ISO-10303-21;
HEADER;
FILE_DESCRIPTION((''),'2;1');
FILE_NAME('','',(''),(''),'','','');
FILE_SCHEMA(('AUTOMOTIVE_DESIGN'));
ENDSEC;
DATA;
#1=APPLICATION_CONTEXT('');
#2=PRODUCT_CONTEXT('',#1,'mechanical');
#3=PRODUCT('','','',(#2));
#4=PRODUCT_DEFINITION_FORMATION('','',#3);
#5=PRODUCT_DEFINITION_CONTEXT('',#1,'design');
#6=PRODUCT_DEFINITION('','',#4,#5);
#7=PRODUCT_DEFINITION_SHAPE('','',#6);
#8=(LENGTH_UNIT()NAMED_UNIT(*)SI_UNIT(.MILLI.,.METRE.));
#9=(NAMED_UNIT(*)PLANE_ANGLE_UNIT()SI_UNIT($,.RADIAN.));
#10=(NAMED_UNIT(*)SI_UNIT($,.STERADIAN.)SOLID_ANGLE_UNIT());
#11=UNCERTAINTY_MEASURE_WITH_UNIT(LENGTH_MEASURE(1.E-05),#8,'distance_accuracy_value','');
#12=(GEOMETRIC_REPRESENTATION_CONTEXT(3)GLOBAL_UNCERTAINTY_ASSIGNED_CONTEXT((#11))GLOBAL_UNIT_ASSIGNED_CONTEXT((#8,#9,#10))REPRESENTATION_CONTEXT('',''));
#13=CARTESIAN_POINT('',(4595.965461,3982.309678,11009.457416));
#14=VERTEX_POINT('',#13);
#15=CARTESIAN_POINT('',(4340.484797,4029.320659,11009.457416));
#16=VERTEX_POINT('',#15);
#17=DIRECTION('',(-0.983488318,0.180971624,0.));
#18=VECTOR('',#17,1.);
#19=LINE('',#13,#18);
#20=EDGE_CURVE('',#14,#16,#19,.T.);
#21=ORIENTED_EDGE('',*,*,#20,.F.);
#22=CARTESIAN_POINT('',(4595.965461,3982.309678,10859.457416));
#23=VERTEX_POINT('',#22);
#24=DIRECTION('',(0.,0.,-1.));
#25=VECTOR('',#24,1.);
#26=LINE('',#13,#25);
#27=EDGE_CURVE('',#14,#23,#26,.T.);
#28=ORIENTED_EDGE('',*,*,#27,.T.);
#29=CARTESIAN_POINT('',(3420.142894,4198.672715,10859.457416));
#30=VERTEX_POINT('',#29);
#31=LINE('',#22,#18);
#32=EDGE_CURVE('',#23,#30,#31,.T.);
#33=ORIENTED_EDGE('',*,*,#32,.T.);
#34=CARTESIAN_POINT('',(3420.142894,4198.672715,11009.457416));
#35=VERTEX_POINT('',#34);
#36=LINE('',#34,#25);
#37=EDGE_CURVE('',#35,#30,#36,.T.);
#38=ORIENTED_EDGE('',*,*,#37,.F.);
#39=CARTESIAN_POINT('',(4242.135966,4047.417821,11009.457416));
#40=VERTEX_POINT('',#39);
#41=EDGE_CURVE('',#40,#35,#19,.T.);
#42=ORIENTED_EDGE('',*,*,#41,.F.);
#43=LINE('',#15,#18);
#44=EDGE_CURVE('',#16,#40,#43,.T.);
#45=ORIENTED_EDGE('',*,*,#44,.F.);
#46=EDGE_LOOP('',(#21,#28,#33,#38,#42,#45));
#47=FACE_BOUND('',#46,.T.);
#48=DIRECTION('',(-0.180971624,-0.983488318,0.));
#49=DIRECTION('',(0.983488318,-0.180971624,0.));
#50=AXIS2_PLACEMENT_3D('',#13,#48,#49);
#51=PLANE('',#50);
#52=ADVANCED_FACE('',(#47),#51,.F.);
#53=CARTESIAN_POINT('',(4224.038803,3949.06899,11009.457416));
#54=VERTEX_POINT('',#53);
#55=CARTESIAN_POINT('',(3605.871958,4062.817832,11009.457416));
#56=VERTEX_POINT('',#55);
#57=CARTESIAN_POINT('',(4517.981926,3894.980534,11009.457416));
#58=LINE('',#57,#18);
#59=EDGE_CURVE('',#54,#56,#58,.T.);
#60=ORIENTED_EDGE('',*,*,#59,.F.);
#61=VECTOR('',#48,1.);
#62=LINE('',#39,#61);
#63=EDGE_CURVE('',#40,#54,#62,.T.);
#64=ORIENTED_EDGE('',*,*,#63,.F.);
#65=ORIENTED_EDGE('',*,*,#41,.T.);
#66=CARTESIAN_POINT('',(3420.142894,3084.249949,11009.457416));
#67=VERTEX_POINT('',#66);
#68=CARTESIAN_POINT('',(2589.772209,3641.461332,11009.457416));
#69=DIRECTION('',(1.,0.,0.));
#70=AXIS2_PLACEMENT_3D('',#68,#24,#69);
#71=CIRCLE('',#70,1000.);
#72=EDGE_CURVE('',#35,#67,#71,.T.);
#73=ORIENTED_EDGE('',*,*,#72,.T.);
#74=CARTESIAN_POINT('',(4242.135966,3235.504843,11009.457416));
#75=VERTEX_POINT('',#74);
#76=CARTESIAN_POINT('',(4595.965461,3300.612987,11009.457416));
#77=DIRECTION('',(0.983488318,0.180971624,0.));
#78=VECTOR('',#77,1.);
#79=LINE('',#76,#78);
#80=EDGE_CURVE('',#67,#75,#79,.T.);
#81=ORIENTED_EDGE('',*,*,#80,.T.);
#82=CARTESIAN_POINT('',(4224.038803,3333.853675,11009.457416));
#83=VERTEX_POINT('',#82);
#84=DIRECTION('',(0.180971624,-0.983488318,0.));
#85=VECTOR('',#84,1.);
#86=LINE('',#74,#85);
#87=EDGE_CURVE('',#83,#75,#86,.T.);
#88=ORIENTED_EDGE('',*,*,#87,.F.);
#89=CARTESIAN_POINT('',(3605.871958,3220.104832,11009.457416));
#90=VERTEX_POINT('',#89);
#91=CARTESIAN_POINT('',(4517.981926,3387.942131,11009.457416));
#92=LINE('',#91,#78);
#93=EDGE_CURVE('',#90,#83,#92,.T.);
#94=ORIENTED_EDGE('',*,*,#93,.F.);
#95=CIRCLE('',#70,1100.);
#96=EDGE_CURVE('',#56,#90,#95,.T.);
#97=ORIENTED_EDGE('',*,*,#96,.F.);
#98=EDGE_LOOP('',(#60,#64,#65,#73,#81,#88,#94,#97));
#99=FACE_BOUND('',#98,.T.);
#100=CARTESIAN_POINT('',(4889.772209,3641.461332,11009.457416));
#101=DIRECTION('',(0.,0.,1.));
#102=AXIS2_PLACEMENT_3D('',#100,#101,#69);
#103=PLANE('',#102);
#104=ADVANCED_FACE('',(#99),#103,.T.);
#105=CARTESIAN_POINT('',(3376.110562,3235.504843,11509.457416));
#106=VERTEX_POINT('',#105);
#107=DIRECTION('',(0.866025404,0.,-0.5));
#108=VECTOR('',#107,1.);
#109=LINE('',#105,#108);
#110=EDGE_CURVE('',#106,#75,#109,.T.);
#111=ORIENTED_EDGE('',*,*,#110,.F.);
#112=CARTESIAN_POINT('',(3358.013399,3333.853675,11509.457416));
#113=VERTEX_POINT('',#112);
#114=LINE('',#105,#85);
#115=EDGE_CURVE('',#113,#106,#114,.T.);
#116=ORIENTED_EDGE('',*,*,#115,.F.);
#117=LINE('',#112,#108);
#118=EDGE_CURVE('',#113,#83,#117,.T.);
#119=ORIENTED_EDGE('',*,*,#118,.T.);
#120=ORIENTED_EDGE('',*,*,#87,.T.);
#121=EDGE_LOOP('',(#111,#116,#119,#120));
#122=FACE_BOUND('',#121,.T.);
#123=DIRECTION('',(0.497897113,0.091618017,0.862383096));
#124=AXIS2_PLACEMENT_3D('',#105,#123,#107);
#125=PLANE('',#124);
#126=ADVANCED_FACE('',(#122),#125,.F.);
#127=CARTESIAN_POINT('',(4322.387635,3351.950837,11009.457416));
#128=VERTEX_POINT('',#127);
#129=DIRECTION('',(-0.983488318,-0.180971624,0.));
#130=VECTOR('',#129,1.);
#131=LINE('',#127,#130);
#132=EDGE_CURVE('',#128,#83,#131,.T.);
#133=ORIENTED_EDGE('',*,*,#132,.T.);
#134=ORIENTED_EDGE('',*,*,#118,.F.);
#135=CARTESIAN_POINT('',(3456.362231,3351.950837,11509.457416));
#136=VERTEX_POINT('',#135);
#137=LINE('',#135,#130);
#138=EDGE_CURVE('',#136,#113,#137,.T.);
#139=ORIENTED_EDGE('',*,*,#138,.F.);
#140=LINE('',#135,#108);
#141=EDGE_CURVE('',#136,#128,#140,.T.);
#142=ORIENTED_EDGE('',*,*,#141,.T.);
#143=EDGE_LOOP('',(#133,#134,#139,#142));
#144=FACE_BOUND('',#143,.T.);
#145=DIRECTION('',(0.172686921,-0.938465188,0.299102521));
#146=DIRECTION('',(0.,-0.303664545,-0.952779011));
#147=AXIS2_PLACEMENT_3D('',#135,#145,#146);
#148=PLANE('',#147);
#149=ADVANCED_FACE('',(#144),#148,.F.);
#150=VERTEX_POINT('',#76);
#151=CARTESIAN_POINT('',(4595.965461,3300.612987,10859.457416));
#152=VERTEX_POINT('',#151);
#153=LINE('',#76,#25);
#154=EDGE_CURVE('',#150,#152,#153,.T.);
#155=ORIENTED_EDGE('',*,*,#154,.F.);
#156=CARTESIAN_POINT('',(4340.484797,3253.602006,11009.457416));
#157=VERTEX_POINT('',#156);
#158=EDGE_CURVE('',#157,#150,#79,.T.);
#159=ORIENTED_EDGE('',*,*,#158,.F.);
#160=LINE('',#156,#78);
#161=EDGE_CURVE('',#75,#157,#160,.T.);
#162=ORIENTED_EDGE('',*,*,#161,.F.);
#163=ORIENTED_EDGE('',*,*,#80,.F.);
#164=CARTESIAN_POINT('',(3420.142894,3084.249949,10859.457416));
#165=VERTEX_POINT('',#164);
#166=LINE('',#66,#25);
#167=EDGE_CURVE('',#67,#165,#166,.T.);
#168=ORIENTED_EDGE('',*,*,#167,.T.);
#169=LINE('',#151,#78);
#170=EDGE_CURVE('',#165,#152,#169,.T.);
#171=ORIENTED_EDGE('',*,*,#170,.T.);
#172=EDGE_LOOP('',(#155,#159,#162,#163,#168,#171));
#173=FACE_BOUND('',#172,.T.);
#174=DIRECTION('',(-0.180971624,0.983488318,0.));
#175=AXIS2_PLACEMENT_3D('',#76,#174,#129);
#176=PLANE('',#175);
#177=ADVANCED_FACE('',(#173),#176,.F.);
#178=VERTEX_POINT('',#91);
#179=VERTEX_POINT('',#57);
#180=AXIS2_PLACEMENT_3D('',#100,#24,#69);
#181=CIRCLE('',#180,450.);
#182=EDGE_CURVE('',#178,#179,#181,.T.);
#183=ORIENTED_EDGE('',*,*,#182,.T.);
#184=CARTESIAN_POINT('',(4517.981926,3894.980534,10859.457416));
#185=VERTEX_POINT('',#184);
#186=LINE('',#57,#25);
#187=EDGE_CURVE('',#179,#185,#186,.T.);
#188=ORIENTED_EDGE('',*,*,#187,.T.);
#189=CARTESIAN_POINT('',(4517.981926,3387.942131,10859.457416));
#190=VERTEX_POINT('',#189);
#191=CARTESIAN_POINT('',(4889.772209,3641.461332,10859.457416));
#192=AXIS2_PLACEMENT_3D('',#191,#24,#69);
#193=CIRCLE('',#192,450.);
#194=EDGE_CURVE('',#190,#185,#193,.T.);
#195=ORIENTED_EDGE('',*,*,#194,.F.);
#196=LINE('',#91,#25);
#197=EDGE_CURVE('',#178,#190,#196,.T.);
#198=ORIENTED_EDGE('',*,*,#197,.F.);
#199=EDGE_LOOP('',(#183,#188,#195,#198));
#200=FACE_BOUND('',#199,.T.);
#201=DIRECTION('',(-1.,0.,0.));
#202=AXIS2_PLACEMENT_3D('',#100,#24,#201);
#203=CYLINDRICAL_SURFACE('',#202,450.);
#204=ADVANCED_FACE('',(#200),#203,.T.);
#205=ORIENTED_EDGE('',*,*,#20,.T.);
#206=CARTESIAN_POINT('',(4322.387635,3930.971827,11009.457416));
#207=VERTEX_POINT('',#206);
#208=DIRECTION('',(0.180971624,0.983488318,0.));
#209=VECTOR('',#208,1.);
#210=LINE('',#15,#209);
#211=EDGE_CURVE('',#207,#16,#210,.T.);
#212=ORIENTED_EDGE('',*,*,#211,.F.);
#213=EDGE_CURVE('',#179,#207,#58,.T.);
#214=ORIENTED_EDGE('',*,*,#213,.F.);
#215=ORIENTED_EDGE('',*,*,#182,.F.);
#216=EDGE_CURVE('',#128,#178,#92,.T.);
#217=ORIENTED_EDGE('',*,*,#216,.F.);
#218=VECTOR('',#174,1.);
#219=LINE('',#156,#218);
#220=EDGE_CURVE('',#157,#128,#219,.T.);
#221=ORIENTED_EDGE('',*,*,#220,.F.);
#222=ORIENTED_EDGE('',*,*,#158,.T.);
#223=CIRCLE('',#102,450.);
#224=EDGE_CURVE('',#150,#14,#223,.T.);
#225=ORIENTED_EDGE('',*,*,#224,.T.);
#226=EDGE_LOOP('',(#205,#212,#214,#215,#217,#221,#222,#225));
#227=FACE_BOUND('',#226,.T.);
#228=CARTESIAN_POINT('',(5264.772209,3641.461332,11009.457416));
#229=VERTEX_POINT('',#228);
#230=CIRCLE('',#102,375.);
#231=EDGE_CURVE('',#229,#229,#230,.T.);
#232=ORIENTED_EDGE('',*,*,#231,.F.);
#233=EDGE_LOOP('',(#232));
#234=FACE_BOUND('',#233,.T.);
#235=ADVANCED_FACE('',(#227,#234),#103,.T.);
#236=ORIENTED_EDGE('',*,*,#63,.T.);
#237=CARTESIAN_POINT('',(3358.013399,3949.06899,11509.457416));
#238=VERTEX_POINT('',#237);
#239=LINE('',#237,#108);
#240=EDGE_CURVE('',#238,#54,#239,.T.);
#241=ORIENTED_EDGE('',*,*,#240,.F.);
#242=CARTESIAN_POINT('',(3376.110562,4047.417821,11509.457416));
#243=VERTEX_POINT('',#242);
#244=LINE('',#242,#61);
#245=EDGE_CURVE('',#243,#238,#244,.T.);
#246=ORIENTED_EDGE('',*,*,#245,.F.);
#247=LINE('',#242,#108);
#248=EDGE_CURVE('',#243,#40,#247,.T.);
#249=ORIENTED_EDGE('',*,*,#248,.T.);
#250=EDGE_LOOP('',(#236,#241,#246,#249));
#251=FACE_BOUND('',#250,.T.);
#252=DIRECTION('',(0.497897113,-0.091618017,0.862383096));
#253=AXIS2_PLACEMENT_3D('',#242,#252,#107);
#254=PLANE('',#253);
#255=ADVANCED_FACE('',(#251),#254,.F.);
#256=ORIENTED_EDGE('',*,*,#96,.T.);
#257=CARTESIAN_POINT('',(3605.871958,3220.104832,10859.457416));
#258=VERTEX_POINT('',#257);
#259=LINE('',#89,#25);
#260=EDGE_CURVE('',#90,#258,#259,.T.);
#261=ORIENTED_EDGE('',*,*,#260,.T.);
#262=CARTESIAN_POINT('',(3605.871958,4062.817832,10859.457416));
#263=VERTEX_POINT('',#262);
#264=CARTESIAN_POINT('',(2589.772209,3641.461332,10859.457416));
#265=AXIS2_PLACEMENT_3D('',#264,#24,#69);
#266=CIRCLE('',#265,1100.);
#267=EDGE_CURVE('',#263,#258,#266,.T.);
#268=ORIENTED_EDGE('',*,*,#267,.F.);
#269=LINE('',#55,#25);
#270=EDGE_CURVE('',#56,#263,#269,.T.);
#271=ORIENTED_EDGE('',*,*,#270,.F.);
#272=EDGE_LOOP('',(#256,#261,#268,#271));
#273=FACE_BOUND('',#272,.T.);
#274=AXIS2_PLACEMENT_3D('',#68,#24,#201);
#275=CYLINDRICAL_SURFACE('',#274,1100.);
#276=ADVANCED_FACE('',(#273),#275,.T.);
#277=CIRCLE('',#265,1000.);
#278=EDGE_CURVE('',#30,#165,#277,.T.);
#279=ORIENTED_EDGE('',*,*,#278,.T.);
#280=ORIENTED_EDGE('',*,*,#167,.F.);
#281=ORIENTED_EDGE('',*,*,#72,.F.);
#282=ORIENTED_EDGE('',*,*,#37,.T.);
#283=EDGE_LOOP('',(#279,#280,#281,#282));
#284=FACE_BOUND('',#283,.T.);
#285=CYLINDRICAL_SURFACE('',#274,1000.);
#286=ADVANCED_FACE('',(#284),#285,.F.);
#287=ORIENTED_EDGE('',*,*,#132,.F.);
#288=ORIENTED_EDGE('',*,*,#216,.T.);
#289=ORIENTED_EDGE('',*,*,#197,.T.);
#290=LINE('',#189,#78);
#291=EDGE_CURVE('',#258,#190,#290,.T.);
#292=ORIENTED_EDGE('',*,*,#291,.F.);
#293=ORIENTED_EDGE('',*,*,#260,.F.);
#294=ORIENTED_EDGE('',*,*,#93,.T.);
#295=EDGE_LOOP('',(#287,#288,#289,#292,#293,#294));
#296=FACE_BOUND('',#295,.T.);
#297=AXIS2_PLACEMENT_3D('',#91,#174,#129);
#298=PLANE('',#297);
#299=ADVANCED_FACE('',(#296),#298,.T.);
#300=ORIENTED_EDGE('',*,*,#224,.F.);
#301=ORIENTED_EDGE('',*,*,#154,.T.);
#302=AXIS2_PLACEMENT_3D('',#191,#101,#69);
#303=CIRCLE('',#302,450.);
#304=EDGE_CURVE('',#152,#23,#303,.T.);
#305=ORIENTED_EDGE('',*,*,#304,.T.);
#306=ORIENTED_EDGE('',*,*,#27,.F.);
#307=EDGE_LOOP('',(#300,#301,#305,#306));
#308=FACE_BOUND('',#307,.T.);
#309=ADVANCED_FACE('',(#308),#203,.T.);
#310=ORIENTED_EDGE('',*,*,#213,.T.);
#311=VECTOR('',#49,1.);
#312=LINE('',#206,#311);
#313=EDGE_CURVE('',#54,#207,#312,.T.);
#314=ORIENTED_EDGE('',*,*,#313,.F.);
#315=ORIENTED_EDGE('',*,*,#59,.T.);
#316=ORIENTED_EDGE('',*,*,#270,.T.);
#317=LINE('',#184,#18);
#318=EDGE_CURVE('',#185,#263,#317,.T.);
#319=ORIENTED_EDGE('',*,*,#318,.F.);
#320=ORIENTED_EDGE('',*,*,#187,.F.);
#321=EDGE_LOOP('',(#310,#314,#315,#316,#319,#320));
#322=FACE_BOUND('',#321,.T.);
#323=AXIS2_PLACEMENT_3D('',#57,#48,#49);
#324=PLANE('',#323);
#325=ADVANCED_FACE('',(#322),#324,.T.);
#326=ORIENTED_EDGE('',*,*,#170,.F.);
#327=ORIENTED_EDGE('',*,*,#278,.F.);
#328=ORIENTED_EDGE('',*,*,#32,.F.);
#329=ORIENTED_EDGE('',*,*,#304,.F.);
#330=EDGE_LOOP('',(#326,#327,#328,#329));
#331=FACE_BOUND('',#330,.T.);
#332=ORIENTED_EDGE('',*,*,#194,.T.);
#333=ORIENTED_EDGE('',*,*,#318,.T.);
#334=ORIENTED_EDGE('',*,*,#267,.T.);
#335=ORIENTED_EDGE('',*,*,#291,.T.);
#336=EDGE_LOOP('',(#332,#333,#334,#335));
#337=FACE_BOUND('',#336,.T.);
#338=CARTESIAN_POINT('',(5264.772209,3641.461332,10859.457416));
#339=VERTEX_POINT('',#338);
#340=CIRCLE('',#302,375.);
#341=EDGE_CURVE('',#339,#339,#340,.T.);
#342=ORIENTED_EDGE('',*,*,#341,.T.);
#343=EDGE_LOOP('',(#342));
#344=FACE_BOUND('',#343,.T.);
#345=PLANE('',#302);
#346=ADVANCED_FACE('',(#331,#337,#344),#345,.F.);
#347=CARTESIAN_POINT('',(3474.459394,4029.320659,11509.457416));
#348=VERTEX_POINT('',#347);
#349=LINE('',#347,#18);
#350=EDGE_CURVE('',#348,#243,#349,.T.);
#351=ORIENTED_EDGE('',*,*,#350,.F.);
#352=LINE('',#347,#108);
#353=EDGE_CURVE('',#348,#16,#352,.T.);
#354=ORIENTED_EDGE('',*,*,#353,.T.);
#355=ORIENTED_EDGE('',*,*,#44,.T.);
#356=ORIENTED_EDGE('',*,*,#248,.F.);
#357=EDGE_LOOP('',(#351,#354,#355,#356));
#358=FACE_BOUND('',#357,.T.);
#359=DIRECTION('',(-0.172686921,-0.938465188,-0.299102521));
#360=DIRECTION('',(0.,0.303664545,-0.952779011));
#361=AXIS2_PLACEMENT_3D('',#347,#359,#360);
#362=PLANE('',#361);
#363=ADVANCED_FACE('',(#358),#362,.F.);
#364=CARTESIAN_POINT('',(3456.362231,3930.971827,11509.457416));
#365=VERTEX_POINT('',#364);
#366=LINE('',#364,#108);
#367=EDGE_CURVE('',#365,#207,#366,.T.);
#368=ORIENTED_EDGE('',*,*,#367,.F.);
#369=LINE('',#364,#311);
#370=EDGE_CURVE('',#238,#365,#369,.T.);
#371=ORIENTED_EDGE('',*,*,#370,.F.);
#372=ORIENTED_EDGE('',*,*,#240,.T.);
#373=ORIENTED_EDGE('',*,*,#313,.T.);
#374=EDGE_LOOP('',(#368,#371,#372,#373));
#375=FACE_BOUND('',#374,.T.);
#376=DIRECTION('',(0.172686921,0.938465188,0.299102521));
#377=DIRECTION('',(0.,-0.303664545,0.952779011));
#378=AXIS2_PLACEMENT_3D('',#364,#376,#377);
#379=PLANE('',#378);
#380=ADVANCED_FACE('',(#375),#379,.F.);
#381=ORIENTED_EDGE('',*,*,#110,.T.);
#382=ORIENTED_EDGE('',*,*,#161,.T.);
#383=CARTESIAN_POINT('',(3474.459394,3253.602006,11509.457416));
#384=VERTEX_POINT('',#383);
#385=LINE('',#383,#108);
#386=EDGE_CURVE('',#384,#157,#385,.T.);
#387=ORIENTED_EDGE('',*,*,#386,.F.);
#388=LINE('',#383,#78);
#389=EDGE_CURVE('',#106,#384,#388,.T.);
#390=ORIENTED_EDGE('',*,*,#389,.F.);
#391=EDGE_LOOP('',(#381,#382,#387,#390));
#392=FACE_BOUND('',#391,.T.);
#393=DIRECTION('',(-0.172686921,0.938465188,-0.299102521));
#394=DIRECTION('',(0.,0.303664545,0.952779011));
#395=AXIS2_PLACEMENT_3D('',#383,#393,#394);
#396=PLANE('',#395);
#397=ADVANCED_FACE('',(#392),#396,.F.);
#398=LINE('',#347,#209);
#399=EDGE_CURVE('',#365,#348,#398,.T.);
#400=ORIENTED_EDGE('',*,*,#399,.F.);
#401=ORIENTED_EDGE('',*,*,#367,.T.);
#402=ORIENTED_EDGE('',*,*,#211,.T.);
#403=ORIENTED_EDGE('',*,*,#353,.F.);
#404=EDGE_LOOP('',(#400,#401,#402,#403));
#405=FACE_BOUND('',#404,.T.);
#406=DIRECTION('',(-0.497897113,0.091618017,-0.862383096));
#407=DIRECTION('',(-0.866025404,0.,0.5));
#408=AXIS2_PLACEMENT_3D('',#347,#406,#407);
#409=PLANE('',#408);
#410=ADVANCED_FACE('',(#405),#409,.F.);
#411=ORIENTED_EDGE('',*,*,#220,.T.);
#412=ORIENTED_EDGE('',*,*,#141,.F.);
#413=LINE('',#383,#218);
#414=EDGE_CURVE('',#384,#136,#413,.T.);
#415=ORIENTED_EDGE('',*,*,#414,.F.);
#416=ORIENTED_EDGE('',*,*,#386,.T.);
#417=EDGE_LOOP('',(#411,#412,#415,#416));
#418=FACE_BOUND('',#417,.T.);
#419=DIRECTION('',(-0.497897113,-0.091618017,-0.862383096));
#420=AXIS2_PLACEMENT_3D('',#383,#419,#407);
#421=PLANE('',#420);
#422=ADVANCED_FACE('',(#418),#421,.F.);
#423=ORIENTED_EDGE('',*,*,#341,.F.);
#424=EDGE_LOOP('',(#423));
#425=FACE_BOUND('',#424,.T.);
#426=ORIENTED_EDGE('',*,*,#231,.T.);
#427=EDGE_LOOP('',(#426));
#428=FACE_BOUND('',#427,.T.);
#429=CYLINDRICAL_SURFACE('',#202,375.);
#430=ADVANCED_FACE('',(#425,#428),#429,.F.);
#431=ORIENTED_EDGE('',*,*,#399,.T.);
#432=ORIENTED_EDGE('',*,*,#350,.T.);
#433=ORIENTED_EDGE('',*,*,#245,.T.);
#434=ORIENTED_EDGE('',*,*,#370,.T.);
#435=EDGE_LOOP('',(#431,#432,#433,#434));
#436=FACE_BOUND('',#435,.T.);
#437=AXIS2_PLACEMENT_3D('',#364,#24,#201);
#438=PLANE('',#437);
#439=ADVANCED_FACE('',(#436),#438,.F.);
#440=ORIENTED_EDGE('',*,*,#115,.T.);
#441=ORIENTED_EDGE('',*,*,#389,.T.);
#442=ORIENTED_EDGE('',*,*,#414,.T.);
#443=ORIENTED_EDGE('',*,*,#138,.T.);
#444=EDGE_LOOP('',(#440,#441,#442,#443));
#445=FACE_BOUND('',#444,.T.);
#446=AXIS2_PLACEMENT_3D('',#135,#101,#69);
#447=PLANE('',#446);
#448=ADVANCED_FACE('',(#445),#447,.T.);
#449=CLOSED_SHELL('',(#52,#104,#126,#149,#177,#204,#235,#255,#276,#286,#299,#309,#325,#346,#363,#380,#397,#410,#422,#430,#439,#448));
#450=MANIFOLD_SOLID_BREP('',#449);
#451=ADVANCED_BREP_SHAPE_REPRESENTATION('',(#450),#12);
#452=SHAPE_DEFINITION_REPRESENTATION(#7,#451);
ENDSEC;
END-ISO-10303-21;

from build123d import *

# Parameters (mm, degrees)
SKETCH2_R      = 375
EXTRUDE1_DEPTH = 150
EXTRUDE2_DEPTH = 1000


with BuildPart() as part:
    # Sketch2 → Extrude1 (new body)
    with BuildSketch(Plane.XY.offset(10859.457415778)):
        with BuildLine():
            Line((4595.965460825, 3982.309677998), (3420.142893862, 4198.672715486))
            ThreePointArc((3420.142893862, 4198.672715486), (3589.772208911, 3641.46133228), (3420.142893862, 3084.249949073))
            Line((3420.142893862, 3084.249949073), (4595.965460825, 3300.612986561))
            ThreePointArc((4595.965460825, 3300.612986561), (5339.772208911, 3641.46133228), (4595.965460825, 3982.309677998))
        make_face()
        with Locations((4889.772208911, 3641.46133228)):
            Circle(SKETCH2_R, mode=Mode.SUBTRACT)
        with BuildLine():
            Line((4517.981926059, 3894.980533873), (3605.871957835, 4062.817832453))
            ThreePointArc((3605.871957835, 4062.817832453), (3689.772208911, 3641.46133228), (3605.871957835, 3220.104832106))
            Line((3605.871957835, 3220.104832106), (4517.981926059, 3387.942130686))
            ThreePointArc((4517.981926059, 3387.942130686), (4439.772208911, 3641.46133228), (4517.981926059, 3894.980533873))
        make_face(mode=Mode.SUBTRACT)
    extrude(amount=EXTRUDE1_DEPTH)

    # Sketch3 → Extrude2 (add, along a direction that is not the sketch's normal)
    with BuildSketch(Plane.XY.offset(11009.457415778)):
        Polygon((4340.484797421, 4029.320658997), (4242.135965642, 4047.417821421), (4224.038803218, 3949.068989643), (4322.387634996, 3930.971827218), align=None)
        Polygon((4322.387634996, 3351.950837341), (4224.038803218, 3333.853674916), (4242.135965642, 3235.504843138), (4340.484797421, 3253.602005562), align=None)
    extrude(amount=EXTRUDE2_DEPTH, dir=(-0.866025404, 0, 0.5))


solid = part.part
